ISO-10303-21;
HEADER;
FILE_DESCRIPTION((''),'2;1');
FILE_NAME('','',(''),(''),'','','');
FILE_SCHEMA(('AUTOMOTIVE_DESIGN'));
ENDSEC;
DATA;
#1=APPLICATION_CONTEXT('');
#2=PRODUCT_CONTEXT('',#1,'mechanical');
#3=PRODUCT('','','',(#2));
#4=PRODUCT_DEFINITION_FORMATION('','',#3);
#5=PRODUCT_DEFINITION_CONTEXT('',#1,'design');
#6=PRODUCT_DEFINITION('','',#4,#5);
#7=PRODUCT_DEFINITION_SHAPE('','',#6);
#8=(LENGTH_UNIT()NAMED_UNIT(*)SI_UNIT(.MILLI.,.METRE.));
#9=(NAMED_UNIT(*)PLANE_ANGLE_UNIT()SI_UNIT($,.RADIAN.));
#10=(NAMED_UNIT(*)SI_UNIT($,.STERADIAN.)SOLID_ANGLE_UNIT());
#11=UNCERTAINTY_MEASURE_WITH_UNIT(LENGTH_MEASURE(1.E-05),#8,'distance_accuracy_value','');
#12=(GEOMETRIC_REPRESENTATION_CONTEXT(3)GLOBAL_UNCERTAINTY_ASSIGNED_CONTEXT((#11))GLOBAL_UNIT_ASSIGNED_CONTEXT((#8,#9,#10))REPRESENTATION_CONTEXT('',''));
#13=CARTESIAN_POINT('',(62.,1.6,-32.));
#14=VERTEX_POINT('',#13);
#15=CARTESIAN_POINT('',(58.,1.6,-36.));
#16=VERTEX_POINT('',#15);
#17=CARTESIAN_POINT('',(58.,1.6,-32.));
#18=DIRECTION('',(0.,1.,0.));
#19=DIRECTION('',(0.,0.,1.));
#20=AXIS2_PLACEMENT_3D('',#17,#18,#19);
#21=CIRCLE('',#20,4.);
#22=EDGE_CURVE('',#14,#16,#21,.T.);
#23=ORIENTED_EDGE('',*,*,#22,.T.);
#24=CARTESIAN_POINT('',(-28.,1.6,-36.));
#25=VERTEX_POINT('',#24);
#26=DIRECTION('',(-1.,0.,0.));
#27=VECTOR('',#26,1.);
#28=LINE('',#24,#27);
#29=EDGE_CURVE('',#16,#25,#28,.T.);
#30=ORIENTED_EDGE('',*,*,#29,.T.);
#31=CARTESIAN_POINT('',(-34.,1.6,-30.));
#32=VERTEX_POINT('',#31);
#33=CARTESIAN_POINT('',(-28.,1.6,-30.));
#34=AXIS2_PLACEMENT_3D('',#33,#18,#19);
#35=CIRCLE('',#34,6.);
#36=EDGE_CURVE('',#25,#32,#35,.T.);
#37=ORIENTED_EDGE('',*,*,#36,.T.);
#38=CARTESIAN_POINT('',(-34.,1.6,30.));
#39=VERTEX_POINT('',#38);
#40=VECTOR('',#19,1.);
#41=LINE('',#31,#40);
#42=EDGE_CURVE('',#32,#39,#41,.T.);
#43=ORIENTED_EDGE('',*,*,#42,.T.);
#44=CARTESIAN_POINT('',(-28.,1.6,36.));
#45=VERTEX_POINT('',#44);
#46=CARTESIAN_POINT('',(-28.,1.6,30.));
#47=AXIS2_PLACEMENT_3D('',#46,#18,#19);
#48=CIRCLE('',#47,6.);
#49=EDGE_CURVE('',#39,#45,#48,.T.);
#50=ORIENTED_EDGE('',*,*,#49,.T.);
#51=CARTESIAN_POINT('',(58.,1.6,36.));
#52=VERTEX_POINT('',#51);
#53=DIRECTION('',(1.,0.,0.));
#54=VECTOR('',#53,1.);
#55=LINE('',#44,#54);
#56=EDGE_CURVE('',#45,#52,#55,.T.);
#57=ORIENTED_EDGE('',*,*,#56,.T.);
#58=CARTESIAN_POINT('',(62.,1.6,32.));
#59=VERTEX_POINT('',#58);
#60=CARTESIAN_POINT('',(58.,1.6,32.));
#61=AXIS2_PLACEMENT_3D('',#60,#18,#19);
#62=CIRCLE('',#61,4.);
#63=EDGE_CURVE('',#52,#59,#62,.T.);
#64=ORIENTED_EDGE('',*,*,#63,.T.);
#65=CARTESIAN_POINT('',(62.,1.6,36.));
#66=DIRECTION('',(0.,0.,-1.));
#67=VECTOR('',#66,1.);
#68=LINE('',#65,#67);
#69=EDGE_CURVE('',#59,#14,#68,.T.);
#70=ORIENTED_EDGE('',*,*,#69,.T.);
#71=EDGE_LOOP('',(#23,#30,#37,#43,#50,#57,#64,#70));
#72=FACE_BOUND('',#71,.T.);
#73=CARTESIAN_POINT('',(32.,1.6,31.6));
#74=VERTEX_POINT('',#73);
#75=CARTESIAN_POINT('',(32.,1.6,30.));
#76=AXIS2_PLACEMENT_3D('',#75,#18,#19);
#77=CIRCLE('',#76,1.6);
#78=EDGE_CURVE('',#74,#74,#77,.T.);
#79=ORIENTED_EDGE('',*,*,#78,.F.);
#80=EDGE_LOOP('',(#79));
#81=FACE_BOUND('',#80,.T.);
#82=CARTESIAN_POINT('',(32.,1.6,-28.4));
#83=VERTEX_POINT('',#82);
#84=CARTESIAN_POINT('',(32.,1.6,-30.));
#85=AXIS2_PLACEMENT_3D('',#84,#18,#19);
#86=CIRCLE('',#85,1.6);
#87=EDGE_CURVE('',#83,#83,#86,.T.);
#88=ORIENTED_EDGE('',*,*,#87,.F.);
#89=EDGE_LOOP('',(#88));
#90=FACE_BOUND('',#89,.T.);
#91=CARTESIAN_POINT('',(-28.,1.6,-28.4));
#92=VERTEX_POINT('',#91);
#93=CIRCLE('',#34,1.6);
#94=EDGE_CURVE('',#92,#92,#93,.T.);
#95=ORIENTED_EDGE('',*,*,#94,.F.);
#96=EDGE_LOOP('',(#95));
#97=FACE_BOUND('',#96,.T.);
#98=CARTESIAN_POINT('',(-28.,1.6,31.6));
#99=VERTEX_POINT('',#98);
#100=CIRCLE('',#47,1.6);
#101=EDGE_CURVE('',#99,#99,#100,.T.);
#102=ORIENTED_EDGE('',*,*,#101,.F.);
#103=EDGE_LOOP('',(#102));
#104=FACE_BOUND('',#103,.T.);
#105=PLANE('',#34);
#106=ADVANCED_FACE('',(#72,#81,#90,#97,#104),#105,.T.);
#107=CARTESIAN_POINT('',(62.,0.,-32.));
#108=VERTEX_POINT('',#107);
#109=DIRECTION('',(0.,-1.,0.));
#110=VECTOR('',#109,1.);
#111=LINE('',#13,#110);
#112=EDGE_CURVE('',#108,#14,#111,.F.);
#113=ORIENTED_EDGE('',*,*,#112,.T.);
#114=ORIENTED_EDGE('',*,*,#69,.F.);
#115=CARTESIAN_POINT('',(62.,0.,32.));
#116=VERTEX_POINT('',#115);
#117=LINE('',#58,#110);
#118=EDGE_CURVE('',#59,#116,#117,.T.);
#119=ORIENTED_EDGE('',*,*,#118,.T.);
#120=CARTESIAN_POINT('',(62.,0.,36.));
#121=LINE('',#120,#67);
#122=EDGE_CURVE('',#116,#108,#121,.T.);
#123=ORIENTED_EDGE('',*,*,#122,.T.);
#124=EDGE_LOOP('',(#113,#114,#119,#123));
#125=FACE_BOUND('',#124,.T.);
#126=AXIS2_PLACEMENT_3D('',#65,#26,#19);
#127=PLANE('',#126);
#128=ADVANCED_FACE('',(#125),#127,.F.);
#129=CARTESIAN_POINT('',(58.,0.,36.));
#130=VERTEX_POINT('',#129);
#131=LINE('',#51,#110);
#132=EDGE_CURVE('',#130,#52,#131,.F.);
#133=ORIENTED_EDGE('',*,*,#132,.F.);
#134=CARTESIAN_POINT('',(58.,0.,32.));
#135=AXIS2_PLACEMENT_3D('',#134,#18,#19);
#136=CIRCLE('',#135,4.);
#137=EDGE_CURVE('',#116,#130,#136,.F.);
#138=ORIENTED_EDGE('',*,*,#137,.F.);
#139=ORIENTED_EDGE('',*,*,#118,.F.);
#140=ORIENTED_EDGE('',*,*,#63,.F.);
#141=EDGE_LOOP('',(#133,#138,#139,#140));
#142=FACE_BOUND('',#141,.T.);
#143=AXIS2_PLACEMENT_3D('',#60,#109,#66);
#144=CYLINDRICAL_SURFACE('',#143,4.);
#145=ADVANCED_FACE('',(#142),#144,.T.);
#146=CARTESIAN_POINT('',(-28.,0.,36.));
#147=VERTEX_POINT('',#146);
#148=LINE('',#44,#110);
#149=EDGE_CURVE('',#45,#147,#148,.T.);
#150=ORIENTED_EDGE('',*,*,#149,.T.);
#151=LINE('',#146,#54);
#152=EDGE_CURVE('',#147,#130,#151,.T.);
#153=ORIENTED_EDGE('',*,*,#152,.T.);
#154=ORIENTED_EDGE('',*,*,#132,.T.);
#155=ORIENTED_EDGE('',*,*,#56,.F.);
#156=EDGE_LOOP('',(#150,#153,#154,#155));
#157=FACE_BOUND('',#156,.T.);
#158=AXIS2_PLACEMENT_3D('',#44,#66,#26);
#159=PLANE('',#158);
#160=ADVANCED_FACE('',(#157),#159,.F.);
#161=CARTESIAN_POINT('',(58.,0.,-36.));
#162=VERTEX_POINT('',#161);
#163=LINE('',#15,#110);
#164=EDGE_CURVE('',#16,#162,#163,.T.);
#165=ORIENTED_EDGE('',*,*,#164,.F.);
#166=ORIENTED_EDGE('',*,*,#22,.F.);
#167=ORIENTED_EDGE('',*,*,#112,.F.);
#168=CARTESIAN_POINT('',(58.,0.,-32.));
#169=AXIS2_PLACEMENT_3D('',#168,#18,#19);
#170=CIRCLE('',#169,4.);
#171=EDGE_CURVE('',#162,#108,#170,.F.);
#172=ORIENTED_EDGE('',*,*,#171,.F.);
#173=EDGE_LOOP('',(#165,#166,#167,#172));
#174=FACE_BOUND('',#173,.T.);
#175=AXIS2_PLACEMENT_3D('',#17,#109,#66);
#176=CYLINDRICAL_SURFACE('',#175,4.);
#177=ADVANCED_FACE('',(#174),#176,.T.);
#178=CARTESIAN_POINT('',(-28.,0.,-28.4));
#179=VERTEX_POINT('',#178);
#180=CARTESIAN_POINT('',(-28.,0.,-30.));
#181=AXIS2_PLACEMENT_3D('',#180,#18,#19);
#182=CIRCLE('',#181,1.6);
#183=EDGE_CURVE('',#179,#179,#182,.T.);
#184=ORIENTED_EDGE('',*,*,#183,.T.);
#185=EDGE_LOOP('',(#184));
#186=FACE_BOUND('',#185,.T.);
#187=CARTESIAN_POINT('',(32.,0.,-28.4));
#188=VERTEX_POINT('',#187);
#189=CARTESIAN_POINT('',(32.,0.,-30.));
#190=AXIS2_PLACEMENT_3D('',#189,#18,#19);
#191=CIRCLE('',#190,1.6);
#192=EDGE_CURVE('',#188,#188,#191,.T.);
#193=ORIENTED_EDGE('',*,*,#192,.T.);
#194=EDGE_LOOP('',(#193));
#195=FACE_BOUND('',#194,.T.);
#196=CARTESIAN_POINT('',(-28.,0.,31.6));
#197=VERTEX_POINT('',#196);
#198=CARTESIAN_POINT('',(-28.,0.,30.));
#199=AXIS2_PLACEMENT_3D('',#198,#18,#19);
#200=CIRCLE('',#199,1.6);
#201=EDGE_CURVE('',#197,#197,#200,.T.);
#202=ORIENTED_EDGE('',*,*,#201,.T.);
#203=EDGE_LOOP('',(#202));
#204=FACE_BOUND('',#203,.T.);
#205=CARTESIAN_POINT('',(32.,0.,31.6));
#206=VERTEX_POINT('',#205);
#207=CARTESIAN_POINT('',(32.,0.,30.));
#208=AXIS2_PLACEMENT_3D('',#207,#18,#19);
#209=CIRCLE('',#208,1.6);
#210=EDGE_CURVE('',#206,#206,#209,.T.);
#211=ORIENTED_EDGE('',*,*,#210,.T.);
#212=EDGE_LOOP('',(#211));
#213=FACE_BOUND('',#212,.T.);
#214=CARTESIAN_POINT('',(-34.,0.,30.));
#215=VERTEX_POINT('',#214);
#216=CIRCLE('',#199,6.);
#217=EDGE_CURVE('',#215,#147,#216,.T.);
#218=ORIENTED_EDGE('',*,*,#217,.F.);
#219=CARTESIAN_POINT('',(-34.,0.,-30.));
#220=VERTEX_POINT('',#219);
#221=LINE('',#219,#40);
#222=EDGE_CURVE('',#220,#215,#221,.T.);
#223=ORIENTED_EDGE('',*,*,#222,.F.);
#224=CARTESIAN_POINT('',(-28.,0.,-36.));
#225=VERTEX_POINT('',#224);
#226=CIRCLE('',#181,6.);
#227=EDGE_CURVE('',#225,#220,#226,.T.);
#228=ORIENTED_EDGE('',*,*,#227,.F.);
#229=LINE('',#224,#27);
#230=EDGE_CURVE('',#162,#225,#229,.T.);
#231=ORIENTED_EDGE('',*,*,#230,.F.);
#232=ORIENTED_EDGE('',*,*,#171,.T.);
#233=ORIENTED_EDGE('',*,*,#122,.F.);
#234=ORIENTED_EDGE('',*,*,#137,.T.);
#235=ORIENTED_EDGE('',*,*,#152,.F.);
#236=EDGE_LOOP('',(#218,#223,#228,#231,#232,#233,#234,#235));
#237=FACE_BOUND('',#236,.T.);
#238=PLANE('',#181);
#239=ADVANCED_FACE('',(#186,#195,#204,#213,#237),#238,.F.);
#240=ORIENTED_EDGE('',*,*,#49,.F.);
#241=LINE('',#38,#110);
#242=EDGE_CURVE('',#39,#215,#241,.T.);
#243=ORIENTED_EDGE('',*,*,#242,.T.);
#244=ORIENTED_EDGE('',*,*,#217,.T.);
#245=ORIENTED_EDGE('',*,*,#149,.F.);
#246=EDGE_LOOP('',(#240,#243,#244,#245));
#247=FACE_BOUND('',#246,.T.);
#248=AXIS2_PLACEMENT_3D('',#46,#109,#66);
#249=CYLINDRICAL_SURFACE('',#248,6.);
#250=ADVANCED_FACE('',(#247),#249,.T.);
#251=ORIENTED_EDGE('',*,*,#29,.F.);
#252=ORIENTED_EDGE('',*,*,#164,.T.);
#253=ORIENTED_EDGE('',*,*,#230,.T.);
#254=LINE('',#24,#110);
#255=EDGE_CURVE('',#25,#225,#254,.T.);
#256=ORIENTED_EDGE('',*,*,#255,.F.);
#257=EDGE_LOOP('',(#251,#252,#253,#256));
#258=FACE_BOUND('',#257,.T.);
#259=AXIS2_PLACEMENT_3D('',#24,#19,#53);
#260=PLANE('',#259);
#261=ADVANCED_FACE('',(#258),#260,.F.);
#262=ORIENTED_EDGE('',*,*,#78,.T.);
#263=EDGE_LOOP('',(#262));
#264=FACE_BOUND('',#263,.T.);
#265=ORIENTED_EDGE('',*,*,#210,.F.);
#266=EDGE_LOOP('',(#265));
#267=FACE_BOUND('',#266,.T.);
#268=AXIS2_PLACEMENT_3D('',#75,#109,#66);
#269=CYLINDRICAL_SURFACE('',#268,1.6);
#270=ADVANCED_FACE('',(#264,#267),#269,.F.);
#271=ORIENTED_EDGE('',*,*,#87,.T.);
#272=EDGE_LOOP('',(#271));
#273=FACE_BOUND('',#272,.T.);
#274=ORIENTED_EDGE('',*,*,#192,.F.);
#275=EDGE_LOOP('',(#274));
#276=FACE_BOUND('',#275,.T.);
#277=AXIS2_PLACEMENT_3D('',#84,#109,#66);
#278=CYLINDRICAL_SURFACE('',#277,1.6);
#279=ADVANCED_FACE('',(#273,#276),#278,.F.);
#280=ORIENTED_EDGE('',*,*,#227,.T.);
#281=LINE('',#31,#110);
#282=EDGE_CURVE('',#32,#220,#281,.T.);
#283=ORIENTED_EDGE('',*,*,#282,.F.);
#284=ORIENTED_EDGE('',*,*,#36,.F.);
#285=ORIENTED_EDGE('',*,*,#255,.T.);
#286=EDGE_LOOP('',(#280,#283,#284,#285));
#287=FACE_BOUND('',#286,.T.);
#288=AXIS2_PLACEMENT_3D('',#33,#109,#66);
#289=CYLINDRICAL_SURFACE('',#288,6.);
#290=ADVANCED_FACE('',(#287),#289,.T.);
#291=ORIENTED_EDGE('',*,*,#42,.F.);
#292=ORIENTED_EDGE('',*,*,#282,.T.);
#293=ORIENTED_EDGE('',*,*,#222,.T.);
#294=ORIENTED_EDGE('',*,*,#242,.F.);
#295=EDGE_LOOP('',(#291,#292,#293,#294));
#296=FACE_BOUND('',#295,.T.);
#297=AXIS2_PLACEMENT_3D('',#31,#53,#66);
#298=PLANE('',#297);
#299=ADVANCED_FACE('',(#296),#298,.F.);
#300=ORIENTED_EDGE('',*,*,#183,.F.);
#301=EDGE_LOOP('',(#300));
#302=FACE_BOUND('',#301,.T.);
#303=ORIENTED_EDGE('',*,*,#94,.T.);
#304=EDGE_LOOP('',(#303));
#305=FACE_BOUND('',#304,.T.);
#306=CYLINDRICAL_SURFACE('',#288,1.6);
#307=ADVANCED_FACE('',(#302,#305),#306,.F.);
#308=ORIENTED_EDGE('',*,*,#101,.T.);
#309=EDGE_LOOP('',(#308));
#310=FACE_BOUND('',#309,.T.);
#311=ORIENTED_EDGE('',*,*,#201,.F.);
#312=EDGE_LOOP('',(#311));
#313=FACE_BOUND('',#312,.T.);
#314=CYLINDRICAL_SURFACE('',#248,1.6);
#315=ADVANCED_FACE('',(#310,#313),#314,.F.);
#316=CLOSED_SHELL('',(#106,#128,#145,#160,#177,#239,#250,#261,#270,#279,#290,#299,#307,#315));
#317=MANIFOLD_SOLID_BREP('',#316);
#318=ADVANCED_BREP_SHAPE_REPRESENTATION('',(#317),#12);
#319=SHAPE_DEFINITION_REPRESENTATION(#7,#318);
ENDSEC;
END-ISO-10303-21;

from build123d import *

# Parameters (mm, degrees)
SKETCH1_R           = 1.6
BOSS_EXTRUDE1_DEPTH = 1.6
FILLET1_R           = 4


with BuildPart() as part:
    # Sketch1 → Boss-Extrude1 (new body)
    with BuildSketch(Plane(origin=(0, 0, 0), x_dir=(1, 0, 0), z_dir=(0, 1, 0))):
        with BuildLine():
            Line((-34, 30), (-34, -30))
            ThreePointArc((-34, -30), (-32.242640687, -34.242640687), (-28, -36))
            Line((-28, -36), (62, -36))
            Line((62, -36), (62, 36))
            Line((62, 36), (-28, 36))
            ThreePointArc((-28, 36), (-32.242640687, 34.242640687), (-34, 30))
        make_face()
        with Locations((-28, 30)):
            Circle(SKETCH1_R, mode=Mode.SUBTRACT)
        with Locations((32, 30)):
            Circle(SKETCH1_R, mode=Mode.SUBTRACT)
        with Locations((32, -30)):
            Circle(SKETCH1_R, mode=Mode.SUBTRACT)
        with Locations((-28, -30)):
            Circle(SKETCH1_R, mode=Mode.SUBTRACT)
    extrude(amount=BOSS_EXTRUDE1_DEPTH)

    # Fillet1
    fillet1_edges = [part.edges().sort_by_distance(p)[0] for p in [
        (62, 0.8, -36),
        (62, 0.8, 36),
    ]]
    fillet(fillet1_edges, radius=FILLET1_R)


solid = part.part
